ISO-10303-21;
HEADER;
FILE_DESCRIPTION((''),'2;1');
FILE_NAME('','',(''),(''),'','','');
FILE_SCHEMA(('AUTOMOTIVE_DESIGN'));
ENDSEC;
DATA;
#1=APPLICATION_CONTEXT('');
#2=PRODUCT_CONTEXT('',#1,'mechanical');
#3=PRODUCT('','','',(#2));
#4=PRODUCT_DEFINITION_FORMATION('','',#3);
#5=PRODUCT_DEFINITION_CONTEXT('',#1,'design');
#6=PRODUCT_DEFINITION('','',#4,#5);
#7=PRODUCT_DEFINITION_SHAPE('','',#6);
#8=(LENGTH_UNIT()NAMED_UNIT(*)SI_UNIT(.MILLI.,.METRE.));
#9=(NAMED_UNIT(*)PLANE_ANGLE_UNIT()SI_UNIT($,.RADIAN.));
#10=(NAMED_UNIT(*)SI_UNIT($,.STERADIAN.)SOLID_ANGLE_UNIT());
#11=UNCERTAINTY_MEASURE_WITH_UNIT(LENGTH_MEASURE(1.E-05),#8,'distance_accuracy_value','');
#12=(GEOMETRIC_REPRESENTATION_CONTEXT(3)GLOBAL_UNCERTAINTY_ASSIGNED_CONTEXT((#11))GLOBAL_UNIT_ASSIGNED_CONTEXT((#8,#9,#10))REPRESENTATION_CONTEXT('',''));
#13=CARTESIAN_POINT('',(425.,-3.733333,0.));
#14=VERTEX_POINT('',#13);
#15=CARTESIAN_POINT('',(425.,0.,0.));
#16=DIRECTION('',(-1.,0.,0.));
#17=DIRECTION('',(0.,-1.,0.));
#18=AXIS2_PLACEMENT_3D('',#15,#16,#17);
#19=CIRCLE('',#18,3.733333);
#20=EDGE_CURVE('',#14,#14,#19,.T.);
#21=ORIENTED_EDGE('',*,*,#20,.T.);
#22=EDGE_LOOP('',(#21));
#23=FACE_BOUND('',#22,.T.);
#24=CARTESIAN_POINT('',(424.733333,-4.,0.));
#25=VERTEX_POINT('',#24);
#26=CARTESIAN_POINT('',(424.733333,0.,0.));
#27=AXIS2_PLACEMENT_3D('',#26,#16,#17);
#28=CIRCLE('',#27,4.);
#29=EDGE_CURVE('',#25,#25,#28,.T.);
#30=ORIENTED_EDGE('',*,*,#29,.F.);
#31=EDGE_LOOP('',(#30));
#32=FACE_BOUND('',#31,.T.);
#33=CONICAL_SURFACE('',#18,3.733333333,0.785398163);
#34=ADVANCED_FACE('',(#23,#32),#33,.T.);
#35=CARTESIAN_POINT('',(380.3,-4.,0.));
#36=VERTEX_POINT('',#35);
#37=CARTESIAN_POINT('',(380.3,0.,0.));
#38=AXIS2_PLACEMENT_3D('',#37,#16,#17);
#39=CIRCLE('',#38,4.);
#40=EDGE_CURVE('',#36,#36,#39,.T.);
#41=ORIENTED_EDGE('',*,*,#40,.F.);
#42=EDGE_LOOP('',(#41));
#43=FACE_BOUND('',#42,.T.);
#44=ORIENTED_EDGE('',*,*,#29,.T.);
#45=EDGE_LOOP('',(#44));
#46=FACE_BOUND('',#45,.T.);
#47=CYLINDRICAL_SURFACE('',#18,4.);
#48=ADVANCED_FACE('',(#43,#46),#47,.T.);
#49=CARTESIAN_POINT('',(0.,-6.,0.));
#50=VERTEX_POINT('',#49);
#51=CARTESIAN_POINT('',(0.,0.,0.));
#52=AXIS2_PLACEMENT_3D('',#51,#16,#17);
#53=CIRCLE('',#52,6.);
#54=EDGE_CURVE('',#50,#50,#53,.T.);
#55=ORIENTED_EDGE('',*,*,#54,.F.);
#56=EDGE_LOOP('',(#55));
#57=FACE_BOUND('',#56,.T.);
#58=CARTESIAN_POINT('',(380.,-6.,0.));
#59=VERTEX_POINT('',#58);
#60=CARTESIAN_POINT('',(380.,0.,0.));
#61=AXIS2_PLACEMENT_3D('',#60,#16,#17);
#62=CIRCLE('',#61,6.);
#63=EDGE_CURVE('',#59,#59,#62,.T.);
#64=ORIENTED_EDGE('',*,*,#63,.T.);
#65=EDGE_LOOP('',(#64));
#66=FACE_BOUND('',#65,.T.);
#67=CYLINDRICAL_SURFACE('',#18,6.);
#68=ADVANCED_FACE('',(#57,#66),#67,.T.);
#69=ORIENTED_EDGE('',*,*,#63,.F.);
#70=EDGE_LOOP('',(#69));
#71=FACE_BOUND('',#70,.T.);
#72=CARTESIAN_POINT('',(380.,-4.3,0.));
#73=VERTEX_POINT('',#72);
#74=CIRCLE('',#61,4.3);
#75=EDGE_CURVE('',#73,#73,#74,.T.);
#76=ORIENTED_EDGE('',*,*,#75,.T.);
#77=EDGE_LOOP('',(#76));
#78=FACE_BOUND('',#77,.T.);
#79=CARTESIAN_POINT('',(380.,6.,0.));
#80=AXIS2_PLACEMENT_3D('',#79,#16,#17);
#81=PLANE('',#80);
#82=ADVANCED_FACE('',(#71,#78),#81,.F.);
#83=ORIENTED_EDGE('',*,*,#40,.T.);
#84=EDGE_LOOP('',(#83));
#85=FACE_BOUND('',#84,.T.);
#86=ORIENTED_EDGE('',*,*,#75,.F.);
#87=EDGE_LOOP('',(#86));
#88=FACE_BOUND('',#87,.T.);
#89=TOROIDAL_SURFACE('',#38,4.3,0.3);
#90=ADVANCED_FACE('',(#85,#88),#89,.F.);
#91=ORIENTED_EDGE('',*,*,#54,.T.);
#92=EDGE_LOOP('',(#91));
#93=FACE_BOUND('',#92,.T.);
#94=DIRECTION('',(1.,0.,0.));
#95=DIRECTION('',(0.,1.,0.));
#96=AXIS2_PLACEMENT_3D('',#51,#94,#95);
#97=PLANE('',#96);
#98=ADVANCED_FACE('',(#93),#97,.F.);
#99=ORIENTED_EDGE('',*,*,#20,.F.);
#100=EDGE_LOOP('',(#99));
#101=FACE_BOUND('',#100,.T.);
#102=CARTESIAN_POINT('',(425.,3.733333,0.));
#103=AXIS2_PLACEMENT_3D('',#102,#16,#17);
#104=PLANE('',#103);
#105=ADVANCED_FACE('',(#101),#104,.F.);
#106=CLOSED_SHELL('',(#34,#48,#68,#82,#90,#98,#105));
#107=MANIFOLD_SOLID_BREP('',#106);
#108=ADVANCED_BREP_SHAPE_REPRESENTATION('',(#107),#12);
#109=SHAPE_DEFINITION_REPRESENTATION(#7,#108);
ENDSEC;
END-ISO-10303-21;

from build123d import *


with BuildPart() as part:
    # Sketch1 → Revolve1 (revolve)
    with BuildSketch(Plane.XY, mode=Mode.PRIVATE) as revolve1_sk:
        with BuildLine():
            Line((0, 0), (0, 6))
            Line((0, 6), (380, 6))
            Line((380, 6), (380, 4.3))
            ThreePointArc((380, 4.3), (380.087867966, 4.087867966), (380.3, 4))
            Line((380.3, 4), (424.733333333, 4))
            Line((424.733333333, 4), (425, 3.733333333))
            Line((425, 3.733333333), (425, 0))
            Line((425, 0), (0, 0))
        make_face()
    revolve(revolve1_sk.sketch.rotate(Axis((425, 0, 0), (-1, 0, 0)), 180), axis=Axis((425, 0, 0), (-1, 0, 0)))


solid = part.part
